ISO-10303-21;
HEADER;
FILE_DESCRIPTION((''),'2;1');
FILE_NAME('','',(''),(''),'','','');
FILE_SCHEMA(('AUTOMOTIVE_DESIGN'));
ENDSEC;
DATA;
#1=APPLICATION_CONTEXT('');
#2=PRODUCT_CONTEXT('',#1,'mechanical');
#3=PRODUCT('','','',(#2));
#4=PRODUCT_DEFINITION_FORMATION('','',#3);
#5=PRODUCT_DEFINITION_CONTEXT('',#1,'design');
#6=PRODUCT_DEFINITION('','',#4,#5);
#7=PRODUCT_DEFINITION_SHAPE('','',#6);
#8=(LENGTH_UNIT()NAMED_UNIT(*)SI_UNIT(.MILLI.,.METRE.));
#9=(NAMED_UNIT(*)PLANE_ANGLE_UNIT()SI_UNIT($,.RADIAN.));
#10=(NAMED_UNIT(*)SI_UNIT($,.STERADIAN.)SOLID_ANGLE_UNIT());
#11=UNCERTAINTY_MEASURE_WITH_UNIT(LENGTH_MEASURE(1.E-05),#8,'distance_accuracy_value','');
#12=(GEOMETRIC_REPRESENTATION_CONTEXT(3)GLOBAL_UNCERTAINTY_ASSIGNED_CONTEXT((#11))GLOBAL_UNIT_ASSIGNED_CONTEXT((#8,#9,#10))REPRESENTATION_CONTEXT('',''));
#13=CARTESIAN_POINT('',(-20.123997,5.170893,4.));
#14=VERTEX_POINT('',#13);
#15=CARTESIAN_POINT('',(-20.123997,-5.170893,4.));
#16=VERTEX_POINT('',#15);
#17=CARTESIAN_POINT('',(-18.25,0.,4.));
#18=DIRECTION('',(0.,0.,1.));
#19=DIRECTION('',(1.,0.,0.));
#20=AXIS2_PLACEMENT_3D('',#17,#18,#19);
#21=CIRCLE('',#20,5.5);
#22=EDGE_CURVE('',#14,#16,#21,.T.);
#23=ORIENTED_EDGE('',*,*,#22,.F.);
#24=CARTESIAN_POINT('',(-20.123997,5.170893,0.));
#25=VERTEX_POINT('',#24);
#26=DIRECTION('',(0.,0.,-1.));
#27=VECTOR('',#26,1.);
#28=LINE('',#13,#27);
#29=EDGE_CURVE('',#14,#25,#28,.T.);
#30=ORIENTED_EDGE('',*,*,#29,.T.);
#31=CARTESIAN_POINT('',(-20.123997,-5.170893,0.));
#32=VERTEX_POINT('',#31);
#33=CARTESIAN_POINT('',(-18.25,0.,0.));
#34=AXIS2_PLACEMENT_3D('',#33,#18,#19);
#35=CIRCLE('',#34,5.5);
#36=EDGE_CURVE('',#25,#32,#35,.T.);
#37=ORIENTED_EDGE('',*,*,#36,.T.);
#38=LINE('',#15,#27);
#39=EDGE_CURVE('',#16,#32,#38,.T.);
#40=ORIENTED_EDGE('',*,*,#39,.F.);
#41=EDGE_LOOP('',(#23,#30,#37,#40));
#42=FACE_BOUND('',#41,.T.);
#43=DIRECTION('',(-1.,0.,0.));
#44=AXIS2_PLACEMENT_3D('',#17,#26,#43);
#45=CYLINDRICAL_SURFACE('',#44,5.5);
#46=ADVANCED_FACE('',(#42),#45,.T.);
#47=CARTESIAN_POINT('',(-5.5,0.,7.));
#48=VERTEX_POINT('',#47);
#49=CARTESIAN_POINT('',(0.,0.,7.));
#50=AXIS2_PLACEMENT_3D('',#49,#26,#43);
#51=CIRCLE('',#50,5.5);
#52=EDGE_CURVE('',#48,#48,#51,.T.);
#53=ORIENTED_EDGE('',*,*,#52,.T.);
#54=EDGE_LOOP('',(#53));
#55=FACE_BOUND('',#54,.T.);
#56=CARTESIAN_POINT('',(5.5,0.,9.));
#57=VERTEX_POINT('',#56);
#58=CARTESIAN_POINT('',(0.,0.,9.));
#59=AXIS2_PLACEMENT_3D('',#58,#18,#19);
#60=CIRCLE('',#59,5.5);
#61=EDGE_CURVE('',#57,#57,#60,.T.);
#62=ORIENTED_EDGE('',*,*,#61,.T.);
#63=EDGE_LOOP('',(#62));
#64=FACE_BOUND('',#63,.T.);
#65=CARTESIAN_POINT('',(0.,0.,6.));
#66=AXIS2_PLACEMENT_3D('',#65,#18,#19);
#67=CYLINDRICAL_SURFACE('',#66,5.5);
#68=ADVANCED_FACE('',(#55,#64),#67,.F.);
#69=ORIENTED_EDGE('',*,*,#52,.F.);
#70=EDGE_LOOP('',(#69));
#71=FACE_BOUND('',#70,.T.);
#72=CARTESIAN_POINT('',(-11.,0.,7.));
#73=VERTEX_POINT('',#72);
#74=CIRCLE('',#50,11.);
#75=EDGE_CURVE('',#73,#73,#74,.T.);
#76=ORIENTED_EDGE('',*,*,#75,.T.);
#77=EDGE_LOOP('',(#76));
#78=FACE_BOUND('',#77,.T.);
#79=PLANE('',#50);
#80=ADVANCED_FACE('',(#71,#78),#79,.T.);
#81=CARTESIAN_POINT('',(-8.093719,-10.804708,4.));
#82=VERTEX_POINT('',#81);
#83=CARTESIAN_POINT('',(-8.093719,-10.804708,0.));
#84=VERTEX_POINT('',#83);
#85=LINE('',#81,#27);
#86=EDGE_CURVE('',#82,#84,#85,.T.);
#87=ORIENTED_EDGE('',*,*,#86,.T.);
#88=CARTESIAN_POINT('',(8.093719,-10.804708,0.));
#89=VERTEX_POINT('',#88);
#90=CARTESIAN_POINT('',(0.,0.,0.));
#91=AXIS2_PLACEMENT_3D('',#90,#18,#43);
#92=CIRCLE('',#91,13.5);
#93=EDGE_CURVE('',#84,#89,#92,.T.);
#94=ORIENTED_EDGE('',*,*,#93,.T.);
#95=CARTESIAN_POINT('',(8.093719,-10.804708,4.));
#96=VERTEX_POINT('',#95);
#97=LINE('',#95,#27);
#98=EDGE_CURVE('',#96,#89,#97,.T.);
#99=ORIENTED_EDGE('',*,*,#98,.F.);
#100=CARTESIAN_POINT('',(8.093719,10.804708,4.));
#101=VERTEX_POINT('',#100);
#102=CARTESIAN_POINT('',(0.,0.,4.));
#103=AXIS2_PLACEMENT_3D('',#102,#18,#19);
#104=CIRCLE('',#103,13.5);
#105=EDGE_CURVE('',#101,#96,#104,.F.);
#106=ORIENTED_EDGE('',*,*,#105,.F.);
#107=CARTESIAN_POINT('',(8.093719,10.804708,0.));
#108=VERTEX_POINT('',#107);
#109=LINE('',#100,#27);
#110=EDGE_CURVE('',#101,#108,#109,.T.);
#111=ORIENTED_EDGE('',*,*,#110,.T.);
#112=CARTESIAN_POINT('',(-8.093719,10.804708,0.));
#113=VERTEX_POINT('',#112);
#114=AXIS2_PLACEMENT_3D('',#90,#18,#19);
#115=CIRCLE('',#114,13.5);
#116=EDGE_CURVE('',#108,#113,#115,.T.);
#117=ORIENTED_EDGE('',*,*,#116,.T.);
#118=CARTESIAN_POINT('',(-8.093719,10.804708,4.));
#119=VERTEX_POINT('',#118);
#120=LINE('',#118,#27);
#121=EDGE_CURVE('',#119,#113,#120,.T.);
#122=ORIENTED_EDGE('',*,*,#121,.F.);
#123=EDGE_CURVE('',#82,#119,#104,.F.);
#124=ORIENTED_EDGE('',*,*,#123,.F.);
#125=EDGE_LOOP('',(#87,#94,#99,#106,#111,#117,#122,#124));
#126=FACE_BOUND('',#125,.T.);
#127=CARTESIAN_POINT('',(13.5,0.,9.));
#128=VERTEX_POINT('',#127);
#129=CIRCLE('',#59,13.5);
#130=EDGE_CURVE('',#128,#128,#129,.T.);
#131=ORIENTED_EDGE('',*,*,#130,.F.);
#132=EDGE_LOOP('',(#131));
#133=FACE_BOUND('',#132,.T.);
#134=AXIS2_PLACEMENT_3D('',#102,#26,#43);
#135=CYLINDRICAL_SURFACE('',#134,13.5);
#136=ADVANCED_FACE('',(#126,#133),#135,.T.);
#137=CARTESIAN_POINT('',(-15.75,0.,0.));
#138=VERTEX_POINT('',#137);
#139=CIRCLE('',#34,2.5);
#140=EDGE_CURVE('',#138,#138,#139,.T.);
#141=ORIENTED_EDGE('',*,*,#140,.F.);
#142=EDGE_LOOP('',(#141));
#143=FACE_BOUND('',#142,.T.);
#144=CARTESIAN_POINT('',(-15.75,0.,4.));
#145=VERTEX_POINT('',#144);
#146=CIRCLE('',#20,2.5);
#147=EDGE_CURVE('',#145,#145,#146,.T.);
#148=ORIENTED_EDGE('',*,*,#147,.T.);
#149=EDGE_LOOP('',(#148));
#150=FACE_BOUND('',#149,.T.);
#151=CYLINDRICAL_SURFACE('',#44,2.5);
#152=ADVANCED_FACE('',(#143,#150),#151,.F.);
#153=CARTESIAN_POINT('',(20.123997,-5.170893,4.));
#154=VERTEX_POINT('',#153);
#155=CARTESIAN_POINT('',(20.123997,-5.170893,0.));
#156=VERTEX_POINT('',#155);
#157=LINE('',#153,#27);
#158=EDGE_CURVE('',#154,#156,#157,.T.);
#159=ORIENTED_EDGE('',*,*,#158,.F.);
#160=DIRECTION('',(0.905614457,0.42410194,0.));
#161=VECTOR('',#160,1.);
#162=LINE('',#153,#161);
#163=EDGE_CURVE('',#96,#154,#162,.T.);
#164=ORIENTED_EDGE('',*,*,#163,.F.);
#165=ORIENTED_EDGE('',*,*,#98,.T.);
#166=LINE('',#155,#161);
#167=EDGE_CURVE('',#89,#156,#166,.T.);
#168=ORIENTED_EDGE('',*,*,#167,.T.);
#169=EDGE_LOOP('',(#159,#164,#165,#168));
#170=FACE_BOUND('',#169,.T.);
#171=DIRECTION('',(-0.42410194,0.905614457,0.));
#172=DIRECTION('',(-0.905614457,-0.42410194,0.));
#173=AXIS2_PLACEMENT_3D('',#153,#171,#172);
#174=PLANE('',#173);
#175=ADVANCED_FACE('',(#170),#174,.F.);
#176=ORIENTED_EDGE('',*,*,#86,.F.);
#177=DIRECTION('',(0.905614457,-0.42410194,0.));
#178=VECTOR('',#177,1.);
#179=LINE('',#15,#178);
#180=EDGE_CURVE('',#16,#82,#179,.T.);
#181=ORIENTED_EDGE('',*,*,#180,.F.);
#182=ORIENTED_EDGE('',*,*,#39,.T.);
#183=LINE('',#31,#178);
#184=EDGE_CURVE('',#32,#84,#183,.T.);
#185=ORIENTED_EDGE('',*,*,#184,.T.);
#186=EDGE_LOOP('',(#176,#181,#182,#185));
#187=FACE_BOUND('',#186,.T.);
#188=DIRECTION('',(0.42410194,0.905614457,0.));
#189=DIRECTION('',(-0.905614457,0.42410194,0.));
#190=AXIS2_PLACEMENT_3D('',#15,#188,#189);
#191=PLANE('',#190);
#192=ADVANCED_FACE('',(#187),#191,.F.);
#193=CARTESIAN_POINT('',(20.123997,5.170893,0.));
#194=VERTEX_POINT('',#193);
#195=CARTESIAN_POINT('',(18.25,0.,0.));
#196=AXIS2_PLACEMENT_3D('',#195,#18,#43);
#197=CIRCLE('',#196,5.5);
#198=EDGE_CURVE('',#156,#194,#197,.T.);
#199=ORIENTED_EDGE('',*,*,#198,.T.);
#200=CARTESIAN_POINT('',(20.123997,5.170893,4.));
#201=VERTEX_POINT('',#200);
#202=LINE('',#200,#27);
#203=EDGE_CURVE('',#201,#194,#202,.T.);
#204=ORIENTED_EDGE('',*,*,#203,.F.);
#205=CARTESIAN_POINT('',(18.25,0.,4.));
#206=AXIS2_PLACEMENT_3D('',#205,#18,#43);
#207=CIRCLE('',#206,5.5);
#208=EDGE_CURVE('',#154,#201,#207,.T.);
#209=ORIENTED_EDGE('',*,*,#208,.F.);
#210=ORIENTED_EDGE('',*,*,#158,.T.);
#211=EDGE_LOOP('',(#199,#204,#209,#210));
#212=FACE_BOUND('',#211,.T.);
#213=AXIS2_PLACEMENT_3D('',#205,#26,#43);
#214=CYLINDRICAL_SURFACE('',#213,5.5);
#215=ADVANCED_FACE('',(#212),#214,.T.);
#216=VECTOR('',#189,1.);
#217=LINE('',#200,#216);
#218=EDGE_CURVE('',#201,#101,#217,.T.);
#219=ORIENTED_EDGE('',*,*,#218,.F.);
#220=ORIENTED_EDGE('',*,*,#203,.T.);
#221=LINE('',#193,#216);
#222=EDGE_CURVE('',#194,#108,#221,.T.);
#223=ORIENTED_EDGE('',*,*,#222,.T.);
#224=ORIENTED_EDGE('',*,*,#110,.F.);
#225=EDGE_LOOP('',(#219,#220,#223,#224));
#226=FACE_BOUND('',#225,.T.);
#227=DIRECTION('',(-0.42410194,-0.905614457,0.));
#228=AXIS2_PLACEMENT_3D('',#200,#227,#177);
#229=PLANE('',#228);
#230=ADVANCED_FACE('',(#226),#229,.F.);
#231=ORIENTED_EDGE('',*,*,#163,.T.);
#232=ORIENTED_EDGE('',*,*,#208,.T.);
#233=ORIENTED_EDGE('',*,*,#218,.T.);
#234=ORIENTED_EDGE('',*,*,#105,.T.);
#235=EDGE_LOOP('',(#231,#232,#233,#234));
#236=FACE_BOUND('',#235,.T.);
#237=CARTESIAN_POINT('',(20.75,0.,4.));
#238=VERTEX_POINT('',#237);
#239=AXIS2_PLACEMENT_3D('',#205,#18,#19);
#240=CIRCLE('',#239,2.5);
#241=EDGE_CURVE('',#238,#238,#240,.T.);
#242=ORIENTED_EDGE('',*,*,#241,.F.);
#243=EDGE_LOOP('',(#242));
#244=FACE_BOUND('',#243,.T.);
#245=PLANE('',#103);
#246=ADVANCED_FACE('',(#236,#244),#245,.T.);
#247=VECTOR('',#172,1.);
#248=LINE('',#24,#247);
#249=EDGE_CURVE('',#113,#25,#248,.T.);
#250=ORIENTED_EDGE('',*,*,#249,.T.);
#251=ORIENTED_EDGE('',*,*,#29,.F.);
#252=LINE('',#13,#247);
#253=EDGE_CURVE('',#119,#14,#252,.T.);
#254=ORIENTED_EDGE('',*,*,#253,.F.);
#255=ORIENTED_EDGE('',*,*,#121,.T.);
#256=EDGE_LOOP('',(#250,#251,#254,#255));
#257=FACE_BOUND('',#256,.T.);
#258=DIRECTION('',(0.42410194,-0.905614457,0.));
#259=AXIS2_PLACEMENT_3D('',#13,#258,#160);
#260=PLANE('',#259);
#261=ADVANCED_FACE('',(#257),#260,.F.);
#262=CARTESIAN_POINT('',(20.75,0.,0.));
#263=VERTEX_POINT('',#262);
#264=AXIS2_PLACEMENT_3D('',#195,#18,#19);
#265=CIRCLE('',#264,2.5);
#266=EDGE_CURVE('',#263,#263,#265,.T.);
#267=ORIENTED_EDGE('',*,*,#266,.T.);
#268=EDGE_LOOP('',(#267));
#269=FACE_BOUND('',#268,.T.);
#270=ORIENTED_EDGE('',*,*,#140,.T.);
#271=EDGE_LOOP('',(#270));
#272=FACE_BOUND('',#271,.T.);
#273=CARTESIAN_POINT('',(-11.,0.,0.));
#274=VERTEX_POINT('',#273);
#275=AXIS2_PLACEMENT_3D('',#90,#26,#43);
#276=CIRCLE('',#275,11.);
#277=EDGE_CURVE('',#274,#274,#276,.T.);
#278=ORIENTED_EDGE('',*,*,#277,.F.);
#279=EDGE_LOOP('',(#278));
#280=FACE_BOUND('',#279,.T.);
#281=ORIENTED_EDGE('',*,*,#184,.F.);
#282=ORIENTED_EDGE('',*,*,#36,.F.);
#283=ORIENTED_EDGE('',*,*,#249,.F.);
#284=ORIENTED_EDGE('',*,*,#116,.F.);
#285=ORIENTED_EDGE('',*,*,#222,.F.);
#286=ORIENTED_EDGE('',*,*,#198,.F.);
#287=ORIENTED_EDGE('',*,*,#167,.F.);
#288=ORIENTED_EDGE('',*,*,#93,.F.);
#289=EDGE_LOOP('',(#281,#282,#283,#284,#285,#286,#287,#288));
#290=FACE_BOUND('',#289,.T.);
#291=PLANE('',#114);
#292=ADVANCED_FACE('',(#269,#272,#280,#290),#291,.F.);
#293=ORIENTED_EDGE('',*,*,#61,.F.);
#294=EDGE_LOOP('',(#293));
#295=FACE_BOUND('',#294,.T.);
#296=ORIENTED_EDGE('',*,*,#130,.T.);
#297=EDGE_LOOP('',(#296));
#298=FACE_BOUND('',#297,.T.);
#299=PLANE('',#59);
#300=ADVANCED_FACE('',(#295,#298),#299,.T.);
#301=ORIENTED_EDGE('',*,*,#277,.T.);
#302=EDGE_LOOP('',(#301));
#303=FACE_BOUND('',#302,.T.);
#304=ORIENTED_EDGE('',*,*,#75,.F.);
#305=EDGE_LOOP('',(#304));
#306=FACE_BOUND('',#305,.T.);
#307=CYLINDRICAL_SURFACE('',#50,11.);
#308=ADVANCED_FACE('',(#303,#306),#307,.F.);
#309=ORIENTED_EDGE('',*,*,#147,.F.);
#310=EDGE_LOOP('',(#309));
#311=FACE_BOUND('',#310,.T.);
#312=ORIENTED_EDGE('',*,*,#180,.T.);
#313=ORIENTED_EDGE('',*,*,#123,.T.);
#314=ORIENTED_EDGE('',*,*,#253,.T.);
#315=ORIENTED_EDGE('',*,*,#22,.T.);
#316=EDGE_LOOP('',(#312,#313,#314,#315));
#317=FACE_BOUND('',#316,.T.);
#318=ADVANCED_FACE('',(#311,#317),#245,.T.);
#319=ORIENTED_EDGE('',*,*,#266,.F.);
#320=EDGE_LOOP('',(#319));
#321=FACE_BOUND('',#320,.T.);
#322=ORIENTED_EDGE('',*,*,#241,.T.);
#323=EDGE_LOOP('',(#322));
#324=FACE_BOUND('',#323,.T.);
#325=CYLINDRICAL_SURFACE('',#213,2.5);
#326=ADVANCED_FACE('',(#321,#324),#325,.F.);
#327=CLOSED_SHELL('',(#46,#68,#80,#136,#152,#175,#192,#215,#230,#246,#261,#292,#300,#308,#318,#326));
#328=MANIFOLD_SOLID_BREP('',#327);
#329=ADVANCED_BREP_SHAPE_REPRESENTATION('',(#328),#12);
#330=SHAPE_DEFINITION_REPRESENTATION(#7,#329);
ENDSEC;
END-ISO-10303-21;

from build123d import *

# Parameters (mm, degrees)
ESBO_O1_R                = 4
ESBO_O1_R_2              = 2.5
RESSALTO_EXTRUS_O1_DEPTH = 4
ESBO_O2_R                = 12.015701032
ESBO_O2_R_2              = 10.48384183
RESSALTO_EXTRUS_O2_DEPTH = 5
ESBO_O3_R                = 5.5
ESBO_O3_R_2              = 4
RESSALTO_EXTRUS_O3_DEPTH = 9
BOSS_EXTRUDE1_START      = -5
SKETCH1_R                = 13.5
BOSS_EXTRUDE1_DEPTH      = 5
SKETCH2_R                = 11
CUT_EXTRUDE1_DEPTH       = 7
CUT_EXTRUDE2_START       = -7
SKETCH3_R                = 5.5
CUT_EXTRUDE2_DEPTH       = 7


with BuildPart() as part:
    # Esboço1 → Ressalto-extrusão1 (new body)
    with BuildSketch(Plane.XY):
        with BuildLine():
            Line((-20.12399727, 5.170892982), (-8.093718556, 10.80470823))
            ThreePointArc((-8.093718556, 10.80470823), (0, 13.5), (8.093718556, 10.80470823))
            Line((8.093718556, 10.80470823), (20.12399727, 5.170892982))
            ThreePointArc((20.12399727, 5.170892982), (23.75, 0), (20.12399727, -5.170892982))
            Line((20.12399727, -5.170892982), (8.093718556, -10.80470823))
            ThreePointArc((8.093718556, -10.80470823), (0, -13.5), (-8.093718556, -10.80470823))
            Line((-8.093718556, -10.80470823), (-20.12399727, -5.170892982))
            ThreePointArc((-20.12399727, -5.170892982), (-23.75, 0), (-20.12399727, 5.170892982))
        make_face()
        Circle(ESBO_O1_R, mode=Mode.SUBTRACT)
        with Locations((-18.25, 0)):
            Circle(ESBO_O1_R_2, mode=Mode.SUBTRACT)
        with Locations((18.25, 0)):
            Circle(ESBO_O1_R_2, mode=Mode.SUBTRACT)
    extrude(amount=RESSALTO_EXTRUS_O1_DEPTH)

    # Esboço2 → Ressalto-extrusão2 (add)
    with BuildSketch(Plane.XY.offset(4)):
        Circle(ESBO_O2_R)
        Circle(ESBO_O2_R_2, mode=Mode.SUBTRACT)
    extrude(amount=RESSALTO_EXTRUS_O2_DEPTH)

    # Esboço3 → Ressalto-extrusão3 (add)
    with BuildSketch(Plane.XY.offset(4)):
        Circle(ESBO_O3_R)
        Circle(ESBO_O3_R_2, mode=Mode.SUBTRACT)
    extrude(amount=RESSALTO_EXTRUS_O3_DEPTH)

    # Sketch1 → Boss-Extrude1 (add)
    with BuildSketch(Plane.XY.offset(9).offset(BOSS_EXTRUDE1_START)):
        with Locations(Location((0, 0, 0), (0, 0, 126.836580816))):
            Circle(SKETCH1_R)
    extrude(amount=BOSS_EXTRUDE1_DEPTH)

    # Sketch2 → Cut-Extrude1 (cut)
    with BuildSketch(Plane(origin=(0, 0, 0), x_dir=(-1, 0, 0), z_dir=(0, 0, -1))):
        Circle(SKETCH2_R)
    extrude(amount=-CUT_EXTRUDE1_DEPTH, mode=Mode.SUBTRACT)

    # Sketch3 → Cut-Extrude2 (cut)
    with BuildSketch(Plane.XY.offset(13).offset(CUT_EXTRUDE2_START)):
        Circle(SKETCH3_R)
    extrude(amount=CUT_EXTRUDE2_DEPTH, mode=Mode.SUBTRACT)


solid = part.part
